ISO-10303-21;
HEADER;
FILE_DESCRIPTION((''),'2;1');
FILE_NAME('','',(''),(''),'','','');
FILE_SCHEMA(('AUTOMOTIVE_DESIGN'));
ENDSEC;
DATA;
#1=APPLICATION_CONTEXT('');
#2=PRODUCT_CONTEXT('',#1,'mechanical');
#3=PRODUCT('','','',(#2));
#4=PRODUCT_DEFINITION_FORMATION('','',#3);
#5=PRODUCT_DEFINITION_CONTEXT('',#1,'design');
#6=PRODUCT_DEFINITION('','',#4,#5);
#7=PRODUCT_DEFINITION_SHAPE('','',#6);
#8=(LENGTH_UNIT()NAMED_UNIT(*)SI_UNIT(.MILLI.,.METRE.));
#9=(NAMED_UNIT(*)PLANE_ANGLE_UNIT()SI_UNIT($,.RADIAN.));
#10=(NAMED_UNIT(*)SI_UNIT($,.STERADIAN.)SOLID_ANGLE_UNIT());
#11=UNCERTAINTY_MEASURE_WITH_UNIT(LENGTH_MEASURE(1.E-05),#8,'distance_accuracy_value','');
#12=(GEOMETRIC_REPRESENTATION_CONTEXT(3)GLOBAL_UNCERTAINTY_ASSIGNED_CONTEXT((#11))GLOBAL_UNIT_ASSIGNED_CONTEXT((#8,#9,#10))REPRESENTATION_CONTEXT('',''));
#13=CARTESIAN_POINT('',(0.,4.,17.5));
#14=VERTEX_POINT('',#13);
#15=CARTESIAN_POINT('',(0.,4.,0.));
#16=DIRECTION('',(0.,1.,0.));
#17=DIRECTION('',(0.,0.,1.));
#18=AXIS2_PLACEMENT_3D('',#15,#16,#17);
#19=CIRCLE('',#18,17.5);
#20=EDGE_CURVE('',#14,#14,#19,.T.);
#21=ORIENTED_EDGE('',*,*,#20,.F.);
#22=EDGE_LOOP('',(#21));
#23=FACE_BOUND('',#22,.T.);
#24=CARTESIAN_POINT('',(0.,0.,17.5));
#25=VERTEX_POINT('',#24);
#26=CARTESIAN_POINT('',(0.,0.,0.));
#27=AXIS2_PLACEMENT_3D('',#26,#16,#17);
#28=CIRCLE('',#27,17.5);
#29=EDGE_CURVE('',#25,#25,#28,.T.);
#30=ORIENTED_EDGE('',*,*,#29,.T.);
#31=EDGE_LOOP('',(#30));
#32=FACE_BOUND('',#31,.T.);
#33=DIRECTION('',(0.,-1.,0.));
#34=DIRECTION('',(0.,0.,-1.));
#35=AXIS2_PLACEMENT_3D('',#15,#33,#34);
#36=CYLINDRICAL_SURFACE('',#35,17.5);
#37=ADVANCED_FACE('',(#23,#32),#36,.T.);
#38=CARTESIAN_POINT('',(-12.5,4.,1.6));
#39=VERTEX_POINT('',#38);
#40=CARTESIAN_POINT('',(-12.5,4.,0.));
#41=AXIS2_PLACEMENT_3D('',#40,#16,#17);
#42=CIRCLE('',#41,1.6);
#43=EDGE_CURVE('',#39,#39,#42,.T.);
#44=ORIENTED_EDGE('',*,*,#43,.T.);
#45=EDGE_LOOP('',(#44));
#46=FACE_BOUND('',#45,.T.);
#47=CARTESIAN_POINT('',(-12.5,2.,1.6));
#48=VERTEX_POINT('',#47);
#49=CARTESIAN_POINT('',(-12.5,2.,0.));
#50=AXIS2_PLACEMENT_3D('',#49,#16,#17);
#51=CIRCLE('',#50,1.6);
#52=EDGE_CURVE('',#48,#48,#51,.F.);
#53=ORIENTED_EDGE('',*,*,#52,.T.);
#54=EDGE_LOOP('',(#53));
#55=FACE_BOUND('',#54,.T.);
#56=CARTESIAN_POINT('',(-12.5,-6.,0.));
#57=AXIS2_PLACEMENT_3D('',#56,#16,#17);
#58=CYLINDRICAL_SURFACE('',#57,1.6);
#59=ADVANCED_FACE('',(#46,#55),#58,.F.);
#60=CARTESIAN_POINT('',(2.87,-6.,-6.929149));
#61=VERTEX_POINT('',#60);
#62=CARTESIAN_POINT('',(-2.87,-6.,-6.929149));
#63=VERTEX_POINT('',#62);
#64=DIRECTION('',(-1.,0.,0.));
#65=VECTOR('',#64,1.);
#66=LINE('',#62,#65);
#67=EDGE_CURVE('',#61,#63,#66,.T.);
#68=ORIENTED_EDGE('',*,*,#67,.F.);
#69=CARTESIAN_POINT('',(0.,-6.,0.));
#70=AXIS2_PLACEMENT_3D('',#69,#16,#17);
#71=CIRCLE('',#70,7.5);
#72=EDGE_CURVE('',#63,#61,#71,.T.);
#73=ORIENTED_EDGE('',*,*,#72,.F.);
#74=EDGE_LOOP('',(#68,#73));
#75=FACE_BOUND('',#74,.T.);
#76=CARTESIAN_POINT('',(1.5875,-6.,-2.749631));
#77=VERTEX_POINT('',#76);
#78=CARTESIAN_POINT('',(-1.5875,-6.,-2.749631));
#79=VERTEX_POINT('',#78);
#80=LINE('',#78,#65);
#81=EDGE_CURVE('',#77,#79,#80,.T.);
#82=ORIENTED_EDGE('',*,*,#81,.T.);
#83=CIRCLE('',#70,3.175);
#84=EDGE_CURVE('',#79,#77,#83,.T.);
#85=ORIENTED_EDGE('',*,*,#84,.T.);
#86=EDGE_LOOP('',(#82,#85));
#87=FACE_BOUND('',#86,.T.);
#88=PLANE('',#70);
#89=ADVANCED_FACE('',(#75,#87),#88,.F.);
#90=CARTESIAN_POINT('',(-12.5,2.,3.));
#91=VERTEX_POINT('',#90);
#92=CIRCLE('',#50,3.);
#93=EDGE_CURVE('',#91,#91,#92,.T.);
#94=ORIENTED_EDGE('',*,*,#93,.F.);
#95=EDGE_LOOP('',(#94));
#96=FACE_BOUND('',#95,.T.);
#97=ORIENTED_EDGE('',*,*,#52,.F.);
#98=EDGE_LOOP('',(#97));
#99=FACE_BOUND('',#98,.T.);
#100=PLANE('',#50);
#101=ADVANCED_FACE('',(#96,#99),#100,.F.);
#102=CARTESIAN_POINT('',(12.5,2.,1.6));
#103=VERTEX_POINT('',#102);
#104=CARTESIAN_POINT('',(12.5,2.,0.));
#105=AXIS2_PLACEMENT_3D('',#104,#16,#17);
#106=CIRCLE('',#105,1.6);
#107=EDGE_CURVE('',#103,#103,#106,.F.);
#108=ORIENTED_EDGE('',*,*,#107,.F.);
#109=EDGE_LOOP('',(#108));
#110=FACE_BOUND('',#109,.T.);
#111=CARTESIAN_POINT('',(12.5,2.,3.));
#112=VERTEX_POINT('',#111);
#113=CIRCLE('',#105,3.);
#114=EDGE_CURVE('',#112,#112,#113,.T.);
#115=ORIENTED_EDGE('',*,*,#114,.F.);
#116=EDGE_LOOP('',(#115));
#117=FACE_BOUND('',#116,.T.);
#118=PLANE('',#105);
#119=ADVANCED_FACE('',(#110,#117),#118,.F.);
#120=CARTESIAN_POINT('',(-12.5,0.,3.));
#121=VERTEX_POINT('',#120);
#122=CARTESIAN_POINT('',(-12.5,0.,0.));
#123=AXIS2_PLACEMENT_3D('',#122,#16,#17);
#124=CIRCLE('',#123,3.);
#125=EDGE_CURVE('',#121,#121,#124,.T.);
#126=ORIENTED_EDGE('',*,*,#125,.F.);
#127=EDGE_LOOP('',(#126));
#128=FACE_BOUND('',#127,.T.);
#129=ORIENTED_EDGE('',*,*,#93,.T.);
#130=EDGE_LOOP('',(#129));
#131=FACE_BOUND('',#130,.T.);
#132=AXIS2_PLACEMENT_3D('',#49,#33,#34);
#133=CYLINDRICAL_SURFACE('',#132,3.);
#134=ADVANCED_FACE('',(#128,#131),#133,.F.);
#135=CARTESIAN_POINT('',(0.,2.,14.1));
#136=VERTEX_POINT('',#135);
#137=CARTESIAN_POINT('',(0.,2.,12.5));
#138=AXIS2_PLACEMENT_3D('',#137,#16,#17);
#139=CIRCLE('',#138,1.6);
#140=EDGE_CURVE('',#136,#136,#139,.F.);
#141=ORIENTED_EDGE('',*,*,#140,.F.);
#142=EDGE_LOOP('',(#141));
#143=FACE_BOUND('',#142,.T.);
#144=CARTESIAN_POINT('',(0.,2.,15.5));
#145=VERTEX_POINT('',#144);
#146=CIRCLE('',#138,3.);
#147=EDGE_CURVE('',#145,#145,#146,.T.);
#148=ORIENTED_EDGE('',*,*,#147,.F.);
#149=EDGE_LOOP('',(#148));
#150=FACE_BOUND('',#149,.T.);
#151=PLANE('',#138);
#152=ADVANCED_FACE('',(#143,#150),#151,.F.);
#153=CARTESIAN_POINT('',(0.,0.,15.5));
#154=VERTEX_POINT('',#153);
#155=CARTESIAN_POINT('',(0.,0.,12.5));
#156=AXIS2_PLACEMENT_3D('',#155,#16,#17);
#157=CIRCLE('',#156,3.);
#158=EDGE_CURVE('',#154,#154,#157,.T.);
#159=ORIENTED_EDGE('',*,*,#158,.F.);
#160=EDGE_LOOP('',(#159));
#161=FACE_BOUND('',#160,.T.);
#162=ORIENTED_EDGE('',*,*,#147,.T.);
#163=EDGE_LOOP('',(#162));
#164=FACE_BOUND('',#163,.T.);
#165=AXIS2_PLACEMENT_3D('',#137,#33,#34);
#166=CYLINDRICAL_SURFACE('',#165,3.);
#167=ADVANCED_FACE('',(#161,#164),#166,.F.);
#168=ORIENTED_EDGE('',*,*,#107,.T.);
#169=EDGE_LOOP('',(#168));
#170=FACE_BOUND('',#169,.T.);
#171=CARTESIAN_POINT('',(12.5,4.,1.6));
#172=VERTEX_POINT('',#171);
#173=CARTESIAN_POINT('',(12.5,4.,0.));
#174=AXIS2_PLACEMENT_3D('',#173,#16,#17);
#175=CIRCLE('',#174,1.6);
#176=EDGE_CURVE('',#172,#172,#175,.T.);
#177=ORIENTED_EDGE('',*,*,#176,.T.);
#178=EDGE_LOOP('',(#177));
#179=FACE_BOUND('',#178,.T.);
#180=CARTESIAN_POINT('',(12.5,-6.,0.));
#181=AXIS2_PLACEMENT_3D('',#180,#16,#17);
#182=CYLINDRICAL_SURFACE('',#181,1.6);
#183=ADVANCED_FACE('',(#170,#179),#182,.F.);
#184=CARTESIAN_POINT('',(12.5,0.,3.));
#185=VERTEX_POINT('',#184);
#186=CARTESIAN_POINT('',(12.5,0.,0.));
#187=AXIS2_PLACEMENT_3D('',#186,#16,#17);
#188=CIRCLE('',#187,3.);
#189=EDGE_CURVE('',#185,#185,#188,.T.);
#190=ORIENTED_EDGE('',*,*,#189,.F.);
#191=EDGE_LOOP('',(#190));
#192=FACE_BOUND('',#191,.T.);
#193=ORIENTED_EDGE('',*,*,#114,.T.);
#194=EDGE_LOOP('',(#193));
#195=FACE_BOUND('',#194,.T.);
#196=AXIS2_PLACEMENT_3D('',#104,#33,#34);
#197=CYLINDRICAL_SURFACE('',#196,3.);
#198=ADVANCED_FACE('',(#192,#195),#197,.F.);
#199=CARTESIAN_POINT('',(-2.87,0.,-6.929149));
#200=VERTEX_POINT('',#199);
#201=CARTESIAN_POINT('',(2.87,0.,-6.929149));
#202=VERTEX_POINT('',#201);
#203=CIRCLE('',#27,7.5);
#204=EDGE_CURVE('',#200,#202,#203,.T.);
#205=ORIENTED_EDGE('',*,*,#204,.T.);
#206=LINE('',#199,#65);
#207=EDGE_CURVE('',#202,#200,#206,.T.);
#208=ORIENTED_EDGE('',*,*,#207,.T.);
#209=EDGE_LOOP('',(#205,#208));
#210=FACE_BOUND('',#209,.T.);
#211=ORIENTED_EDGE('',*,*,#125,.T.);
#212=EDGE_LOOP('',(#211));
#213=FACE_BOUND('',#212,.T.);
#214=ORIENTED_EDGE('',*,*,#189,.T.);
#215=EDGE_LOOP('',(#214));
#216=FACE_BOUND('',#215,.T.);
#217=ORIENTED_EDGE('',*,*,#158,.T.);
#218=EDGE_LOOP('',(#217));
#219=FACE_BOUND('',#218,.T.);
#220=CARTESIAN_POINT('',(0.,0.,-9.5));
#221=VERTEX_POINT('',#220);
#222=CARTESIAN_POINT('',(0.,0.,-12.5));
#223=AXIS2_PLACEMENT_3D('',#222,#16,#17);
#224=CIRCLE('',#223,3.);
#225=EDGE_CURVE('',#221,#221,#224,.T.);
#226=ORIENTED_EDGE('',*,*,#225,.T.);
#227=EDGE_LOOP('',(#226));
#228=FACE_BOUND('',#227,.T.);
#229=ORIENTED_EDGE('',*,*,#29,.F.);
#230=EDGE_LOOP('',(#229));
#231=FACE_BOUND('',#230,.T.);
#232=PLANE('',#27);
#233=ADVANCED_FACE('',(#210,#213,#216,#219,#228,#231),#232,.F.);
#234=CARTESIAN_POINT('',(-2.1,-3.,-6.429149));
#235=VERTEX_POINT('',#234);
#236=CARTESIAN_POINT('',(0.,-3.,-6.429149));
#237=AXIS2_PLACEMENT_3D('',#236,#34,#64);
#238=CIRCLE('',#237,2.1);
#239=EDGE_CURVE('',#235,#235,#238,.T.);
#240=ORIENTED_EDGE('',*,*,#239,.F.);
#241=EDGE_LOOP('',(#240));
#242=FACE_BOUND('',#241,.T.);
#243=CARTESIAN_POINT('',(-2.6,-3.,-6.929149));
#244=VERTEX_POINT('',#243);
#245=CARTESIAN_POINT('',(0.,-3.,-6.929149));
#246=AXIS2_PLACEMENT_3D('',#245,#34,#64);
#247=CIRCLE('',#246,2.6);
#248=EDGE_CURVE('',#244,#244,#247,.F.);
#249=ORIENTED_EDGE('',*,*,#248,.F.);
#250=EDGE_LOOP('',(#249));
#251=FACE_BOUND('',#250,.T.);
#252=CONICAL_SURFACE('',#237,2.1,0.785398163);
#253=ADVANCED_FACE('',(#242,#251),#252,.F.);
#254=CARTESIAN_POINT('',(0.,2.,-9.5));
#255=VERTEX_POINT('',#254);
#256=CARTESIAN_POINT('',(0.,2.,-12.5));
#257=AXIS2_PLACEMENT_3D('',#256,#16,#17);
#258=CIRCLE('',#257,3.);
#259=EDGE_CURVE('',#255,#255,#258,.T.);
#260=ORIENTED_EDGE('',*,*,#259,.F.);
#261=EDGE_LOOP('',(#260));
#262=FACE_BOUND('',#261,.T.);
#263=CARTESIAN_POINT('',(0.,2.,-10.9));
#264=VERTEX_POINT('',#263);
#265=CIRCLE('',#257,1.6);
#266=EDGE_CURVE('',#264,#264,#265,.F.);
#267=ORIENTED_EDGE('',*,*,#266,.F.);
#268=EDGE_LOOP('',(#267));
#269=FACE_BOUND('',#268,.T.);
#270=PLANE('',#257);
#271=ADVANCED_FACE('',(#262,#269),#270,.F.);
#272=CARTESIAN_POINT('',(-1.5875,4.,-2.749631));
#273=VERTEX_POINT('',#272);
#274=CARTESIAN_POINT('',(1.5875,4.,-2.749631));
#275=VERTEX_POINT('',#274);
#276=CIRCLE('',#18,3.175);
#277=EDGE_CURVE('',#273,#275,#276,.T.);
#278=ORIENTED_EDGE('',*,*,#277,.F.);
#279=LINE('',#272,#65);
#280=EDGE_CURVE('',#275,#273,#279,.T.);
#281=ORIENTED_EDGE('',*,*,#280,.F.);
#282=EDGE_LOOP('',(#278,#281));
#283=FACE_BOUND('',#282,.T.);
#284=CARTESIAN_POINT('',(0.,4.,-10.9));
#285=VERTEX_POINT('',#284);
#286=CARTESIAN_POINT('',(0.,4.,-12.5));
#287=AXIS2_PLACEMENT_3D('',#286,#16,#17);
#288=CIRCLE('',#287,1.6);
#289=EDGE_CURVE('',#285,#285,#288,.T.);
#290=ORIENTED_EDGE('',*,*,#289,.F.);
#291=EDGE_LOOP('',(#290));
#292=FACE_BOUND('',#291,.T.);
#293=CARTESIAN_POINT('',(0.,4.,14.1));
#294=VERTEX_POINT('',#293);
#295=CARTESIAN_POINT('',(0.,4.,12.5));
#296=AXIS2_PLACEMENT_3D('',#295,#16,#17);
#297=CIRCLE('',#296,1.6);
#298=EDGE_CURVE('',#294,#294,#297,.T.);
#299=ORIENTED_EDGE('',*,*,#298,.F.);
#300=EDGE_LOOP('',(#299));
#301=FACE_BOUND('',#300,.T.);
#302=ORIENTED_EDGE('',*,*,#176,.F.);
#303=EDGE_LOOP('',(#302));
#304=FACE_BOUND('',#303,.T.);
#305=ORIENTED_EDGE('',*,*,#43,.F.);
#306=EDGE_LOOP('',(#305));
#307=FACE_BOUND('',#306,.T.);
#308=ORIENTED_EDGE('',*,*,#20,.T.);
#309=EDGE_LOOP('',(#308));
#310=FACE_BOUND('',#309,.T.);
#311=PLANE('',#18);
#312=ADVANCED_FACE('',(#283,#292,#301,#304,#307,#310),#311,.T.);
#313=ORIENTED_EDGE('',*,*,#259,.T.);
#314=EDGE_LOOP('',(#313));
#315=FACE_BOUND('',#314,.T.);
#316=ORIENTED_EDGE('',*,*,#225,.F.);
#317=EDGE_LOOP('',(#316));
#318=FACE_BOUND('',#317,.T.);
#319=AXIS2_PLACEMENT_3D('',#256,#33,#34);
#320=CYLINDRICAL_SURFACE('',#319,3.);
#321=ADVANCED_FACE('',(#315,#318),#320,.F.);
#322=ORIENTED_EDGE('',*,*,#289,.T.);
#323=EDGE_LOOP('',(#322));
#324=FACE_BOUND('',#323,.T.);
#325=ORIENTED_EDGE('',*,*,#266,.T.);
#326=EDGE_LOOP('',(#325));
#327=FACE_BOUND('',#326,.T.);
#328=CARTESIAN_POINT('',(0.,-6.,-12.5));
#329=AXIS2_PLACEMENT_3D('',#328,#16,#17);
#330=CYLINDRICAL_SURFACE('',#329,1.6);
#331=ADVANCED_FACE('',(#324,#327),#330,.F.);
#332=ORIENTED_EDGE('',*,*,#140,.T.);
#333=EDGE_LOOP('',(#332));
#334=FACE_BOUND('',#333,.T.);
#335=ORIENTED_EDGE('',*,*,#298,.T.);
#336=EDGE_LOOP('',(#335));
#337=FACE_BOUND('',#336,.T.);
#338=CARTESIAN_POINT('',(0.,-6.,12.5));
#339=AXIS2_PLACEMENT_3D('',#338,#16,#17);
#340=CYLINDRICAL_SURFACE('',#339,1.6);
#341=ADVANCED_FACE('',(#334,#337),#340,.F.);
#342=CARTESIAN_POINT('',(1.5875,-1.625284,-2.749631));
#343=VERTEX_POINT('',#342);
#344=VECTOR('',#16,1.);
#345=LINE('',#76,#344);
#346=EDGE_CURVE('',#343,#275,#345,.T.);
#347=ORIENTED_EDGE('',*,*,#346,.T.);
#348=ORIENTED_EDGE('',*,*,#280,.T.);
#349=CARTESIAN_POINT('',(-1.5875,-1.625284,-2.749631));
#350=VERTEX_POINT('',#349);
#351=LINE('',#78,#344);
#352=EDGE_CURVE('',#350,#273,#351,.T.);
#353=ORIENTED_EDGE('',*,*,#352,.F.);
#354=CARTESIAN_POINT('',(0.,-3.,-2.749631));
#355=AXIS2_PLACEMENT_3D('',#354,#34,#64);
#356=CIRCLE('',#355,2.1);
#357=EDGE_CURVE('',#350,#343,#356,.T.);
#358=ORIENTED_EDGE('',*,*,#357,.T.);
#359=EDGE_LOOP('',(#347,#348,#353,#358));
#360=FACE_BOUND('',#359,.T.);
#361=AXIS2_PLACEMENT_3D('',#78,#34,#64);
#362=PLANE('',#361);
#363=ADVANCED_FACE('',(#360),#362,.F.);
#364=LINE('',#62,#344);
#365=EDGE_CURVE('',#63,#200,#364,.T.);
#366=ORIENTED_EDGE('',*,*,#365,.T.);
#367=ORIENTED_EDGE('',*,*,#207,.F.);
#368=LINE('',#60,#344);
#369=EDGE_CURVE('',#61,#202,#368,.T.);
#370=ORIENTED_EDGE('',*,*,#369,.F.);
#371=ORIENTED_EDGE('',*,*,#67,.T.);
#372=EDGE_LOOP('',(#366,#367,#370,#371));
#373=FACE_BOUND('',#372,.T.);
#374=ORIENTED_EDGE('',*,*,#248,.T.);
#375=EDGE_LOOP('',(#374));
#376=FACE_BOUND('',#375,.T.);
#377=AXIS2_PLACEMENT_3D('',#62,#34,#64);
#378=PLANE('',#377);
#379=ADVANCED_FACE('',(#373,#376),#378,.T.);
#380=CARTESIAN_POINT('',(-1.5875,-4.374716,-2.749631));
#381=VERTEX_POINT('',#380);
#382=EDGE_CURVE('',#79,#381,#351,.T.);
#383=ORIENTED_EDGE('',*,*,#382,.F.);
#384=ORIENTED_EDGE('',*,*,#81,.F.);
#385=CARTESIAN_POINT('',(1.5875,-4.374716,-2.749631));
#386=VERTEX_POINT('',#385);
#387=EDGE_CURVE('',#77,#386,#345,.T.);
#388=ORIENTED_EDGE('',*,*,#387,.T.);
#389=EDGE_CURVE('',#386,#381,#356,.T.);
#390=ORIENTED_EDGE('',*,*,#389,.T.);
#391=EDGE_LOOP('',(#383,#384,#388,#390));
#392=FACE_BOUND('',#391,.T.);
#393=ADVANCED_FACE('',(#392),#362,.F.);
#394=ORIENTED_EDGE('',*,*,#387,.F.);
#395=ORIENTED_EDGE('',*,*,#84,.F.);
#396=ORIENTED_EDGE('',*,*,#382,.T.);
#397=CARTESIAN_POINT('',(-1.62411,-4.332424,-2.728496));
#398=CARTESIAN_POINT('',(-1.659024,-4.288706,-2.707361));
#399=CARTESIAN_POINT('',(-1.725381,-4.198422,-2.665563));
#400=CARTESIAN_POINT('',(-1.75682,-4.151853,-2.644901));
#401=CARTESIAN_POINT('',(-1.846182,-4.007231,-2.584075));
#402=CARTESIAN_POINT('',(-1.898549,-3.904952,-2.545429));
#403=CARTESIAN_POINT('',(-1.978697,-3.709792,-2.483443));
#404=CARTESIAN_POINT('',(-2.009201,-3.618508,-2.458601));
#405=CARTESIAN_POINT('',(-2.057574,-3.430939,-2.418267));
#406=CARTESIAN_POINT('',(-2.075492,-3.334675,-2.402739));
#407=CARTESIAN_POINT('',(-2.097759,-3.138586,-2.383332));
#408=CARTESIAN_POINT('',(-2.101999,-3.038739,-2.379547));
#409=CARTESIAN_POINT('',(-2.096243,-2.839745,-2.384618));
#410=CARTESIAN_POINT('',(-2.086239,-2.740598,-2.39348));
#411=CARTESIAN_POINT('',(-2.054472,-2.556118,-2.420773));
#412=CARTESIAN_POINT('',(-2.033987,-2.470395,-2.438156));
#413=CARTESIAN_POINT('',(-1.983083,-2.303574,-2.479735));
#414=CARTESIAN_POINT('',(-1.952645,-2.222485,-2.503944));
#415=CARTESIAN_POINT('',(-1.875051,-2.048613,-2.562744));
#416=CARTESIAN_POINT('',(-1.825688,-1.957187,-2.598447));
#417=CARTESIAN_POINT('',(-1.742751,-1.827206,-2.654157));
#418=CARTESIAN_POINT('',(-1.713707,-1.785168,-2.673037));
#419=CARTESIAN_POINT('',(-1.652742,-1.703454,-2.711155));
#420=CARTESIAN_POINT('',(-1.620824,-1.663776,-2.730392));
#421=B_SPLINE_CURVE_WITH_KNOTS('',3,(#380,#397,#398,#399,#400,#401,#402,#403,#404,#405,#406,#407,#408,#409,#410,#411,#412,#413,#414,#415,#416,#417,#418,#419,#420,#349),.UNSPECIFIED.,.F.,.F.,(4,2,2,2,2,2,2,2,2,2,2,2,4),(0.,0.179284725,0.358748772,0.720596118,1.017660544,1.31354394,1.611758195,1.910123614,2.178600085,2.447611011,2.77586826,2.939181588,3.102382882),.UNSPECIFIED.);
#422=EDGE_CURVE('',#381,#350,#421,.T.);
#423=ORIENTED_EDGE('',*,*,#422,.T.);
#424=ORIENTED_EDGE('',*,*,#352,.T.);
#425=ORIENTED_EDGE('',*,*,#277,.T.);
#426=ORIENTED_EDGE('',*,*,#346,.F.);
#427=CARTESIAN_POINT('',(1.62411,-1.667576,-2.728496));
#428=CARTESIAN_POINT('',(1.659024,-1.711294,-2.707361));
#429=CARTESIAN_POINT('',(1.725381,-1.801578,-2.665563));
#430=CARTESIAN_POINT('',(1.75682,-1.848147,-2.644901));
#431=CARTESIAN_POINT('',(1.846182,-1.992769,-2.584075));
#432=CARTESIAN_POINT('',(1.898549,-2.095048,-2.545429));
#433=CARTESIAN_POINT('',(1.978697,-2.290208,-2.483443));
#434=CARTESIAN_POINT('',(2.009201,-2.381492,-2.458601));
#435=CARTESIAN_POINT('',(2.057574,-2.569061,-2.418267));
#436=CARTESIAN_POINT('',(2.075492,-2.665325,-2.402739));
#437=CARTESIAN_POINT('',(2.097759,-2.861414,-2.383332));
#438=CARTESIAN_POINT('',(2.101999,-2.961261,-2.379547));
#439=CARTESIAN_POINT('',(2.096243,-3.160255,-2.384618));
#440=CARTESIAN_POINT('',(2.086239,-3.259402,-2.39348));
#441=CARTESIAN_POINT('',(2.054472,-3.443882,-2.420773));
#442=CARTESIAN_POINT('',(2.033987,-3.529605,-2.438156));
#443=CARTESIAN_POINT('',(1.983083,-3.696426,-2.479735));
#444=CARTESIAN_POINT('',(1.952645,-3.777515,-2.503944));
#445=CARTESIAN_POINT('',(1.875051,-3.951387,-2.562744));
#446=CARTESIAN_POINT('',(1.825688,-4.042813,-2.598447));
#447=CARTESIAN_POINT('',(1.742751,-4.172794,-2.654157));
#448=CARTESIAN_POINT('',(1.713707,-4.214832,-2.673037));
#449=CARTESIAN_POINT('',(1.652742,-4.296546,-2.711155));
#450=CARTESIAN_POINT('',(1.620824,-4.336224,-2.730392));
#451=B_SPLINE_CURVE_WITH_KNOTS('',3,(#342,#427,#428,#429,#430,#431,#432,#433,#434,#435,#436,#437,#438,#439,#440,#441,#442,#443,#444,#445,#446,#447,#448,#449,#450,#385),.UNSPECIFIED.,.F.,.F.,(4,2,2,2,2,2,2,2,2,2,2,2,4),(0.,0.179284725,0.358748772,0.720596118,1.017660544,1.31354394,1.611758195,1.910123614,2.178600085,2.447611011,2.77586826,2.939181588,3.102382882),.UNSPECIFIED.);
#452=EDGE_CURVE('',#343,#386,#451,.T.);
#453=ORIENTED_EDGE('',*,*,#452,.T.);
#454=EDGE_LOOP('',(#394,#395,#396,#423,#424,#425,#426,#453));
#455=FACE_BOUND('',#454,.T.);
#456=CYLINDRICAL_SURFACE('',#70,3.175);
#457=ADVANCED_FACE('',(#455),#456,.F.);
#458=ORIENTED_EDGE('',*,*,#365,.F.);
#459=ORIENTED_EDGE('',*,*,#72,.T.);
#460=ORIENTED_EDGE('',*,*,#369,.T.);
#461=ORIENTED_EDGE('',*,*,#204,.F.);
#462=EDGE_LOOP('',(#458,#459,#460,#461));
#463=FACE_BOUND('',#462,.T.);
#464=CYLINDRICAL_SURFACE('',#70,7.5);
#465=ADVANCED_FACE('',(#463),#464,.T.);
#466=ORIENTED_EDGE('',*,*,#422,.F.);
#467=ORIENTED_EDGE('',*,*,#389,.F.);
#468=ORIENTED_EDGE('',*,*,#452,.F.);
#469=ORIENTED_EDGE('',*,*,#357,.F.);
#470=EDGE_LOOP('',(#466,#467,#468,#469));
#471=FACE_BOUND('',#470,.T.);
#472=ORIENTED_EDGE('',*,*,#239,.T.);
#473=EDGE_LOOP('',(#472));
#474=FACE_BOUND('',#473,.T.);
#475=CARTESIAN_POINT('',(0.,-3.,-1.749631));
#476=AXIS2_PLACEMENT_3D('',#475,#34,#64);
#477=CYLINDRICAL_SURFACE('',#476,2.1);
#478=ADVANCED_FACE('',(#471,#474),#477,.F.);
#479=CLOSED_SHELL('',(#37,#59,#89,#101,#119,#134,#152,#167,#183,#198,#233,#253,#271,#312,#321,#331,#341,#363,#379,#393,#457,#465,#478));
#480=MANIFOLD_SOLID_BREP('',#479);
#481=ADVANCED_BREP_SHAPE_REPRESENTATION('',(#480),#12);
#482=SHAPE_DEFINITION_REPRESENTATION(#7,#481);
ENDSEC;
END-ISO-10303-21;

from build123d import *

# Parameters (mm, degrees)
SKETCH1_R               = 17.5
BOSS_EXTRUDE1_DEPTH     = 4
BOSS_EXTRUDE2_DEPTH     = 6
CUT_EXTRUDE1_DEPTH      = 26.465663156
CUT_EXTRUDE1_DEPTH_BACK = 26.465663156
SKETCH3_R               = 1.6
CUT_EXTRUDE2_DEPTH      = 1
CUT_EXTRUDE2_DEPTH_BACK = 23.716032156
CUT_EXTRUDE2_START      = -2.749631
SKETCH5_R               = 2.1
CHAMFER1_SIZE           = 0.5
SKETCH6_R               = 3
CUT_EXTRUDE3_DEPTH      = 2


with BuildPart() as part:
    # Sketch1 → Boss-Extrude1 (new body)
    with BuildSketch(Plane(origin=(0, 0, 0), x_dir=(1, 0, 0), z_dir=(0, 1, 0))):
        with Locations(Location((0, 0, 0), (0, 0, 270))):
            Circle(SKETCH1_R)
    extrude(amount=BOSS_EXTRUDE1_DEPTH)

    # Sketch2 → Boss-Extrude2 (add)
    with BuildSketch(Plane(origin=(0, 0, 0), x_dir=(1, 0, 0), z_dir=(0, 1, 0))):
        with BuildLine():
            Line((-2.87, 6.929148577), (2.87, 6.929148577))
            ThreePointArc((2.87, 6.929148577), (0, -7.5), (-2.87, 6.929148577))
        make_face()
    extrude(amount=-BOSS_EXTRUDE2_DEPTH)

    # Sketch3 → Cut-Extrude1 (cut, two sides: drawn at the far end of the back side and taken through both)
    with BuildSketch(Plane(origin=(0, 0, 0), x_dir=(1, 0, 0), z_dir=(0, 1, 0)).offset(-CUT_EXTRUDE1_DEPTH_BACK)):
        with Locations(Location((0, 12.5, 0), (0, 0, 270))):
            Circle(SKETCH3_R)
        with Locations(Location((12.5, 0, 0), (0, 0, 270))):
            Circle(SKETCH3_R)
        with Locations(Location((0, -12.5, 0), (0, 0, 270))):
            Circle(SKETCH3_R)
        with Locations(Location((-12.5, 0, 0), (0, 0, 270))):
            Circle(SKETCH3_R)
        with BuildLine():
            Line((-1.5875, 2.749630657), (1.5875, 2.749630657))
            ThreePointArc((1.5875, 2.749630657), (0, -3.175), (-1.5875, 2.749630657))
        make_face()
    extrude(amount=CUT_EXTRUDE1_DEPTH + CUT_EXTRUDE1_DEPTH_BACK, mode=Mode.SUBTRACT)

    # Sketch5 → Cut-Extrude2 (cut, two sides: drawn at the far end of the back side and taken through both)
    with BuildSketch(Plane.XY.offset(CUT_EXTRUDE2_START - CUT_EXTRUDE2_DEPTH_BACK)):
        with Locations(Location((0, -3, 0), (0, 0, 180))):
            Circle(SKETCH5_R)
    extrude(amount=CUT_EXTRUDE2_DEPTH + CUT_EXTRUDE2_DEPTH_BACK, mode=Mode.SUBTRACT)

    # Chamfer1
    chamfer1_edges = [part.edges().sort_by_distance(p)[0] for p in [
        (2.1, -3, -6.929148577),
    ]]
    chamfer(chamfer1_edges, length=CHAMFER1_SIZE)

    # Sketch6 → Cut-Extrude3 (cut)
    with BuildSketch(Plane(origin=(0, 0, 0), x_dir=(1, 0, 0), z_dir=(0, 1, 0))):
        with Locations(Location((0, 12.5, 0), (0, 0, 270))):
            Circle(SKETCH6_R)
        with Locations(Location((12.5, 0, 0), (0, 0, 270))):
            Circle(SKETCH6_R)
        with Locations(Location((0, -12.5, 0), (0, 0, 270))):
            Circle(SKETCH6_R)
        with Locations(Location((-12.5, 0, 0), (0, 0, 270))):
            Circle(SKETCH6_R)
    extrude(amount=CUT_EXTRUDE3_DEPTH, mode=Mode.SUBTRACT)


solid = part.part
